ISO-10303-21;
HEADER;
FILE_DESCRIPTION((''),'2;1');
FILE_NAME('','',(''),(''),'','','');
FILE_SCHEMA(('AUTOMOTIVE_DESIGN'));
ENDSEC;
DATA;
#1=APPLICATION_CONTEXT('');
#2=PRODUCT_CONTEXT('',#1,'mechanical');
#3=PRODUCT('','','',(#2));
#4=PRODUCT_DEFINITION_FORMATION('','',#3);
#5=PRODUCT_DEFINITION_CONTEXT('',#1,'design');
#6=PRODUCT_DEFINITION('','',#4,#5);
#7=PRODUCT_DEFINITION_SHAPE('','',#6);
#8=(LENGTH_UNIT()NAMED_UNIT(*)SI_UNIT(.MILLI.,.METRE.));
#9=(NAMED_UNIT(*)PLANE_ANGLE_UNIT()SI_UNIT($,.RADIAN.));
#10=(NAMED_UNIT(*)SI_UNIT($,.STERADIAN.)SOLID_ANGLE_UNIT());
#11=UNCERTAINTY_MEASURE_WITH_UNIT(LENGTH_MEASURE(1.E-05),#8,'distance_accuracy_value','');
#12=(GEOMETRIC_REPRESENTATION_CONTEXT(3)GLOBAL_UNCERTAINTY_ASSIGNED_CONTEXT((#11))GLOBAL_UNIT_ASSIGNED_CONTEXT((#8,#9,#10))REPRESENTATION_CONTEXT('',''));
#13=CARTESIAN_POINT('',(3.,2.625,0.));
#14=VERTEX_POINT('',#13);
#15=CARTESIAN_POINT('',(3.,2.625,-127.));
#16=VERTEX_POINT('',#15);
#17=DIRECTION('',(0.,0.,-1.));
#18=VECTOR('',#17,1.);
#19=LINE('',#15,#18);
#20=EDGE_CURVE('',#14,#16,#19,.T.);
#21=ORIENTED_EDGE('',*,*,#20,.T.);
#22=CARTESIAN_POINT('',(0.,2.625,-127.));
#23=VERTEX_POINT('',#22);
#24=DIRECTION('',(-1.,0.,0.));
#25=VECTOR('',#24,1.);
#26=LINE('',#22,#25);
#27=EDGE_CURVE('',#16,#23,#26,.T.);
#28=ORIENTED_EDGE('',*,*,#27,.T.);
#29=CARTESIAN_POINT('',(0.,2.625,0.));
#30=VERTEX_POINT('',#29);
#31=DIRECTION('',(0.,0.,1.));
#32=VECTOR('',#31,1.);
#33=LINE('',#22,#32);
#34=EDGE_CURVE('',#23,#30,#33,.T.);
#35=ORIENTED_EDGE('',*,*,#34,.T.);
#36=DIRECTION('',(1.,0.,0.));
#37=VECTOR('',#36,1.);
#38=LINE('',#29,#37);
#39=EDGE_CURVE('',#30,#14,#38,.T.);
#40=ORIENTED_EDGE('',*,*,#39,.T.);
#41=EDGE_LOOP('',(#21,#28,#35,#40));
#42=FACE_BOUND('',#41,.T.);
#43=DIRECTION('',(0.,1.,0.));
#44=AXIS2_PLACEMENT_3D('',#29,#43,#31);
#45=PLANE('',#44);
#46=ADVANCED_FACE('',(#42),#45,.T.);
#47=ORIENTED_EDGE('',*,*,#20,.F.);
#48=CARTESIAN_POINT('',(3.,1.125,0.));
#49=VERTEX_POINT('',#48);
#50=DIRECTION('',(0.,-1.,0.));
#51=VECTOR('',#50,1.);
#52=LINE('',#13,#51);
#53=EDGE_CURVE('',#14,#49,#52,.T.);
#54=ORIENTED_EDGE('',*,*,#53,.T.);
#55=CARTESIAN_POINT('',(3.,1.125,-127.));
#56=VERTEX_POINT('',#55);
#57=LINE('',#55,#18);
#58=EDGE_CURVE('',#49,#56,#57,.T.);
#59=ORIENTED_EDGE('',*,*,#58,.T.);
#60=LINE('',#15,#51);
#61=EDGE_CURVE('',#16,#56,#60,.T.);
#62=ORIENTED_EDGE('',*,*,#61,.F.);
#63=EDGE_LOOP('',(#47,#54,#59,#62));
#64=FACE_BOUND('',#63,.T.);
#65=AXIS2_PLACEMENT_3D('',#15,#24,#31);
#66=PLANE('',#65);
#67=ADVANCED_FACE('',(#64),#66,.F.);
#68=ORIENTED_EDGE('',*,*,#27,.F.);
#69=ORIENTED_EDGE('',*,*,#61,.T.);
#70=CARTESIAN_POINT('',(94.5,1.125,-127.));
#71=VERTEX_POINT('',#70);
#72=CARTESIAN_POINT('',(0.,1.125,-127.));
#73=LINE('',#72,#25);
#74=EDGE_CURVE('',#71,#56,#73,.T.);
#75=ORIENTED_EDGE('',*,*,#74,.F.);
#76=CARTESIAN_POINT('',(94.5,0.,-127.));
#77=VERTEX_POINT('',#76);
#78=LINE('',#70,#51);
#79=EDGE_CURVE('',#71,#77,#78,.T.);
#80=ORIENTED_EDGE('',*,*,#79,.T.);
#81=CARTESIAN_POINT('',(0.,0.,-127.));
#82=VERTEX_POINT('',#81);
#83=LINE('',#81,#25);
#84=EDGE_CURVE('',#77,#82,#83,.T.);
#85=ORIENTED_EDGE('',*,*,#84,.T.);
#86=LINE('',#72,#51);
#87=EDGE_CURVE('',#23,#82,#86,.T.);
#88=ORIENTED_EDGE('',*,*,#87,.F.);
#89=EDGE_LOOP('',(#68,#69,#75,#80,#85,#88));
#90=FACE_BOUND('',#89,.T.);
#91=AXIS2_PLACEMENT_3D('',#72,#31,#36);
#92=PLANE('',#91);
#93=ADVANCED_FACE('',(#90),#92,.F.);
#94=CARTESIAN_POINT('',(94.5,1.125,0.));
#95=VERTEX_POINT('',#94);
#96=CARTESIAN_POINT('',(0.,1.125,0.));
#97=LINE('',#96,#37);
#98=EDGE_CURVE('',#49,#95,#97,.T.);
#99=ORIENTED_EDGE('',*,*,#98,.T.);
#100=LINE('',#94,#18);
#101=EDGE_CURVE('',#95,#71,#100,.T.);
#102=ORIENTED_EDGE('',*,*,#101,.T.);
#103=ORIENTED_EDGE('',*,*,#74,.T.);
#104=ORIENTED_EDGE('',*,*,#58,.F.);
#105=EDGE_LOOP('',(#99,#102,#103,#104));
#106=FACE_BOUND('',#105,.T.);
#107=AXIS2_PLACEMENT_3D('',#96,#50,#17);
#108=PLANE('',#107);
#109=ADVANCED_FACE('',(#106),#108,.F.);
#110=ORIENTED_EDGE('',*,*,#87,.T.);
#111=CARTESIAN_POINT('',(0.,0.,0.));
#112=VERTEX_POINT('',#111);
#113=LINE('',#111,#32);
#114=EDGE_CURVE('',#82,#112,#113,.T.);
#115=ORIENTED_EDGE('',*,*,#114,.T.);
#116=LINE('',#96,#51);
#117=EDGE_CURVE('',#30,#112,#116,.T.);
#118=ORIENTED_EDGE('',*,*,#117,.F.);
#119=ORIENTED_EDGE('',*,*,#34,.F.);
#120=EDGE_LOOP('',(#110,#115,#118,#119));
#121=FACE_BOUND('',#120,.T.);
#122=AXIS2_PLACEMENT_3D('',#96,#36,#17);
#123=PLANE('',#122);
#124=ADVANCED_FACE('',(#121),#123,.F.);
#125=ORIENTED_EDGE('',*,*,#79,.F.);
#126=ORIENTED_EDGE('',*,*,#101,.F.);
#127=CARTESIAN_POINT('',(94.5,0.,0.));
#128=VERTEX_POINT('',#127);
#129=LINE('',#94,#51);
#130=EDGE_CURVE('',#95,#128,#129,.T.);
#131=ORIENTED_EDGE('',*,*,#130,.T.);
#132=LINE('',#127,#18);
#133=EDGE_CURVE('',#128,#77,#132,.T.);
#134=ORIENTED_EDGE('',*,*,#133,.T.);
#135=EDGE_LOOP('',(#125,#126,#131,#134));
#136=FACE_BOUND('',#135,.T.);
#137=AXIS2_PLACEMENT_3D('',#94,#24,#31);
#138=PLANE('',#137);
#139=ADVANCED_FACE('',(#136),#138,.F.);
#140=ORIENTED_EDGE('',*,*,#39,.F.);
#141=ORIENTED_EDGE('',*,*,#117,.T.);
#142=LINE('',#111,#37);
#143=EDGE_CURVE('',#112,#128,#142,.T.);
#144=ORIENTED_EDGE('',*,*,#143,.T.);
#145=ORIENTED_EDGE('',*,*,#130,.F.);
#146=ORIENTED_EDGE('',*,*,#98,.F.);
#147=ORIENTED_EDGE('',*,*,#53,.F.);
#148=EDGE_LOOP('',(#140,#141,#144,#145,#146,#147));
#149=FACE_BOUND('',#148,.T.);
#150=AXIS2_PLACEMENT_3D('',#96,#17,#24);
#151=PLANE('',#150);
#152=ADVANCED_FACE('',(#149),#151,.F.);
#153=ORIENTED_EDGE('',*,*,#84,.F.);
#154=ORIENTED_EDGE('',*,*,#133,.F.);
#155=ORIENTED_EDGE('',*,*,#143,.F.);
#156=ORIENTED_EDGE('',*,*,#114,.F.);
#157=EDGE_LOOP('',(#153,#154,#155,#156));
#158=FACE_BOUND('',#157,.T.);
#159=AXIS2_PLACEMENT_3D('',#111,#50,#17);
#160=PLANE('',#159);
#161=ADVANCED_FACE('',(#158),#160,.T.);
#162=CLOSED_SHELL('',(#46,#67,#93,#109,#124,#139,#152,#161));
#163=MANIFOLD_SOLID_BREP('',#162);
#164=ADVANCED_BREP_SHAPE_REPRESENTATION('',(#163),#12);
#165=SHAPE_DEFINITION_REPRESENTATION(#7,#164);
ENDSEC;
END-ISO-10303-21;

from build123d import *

# Parameters (mm, degrees)
SCHIZZO1_W               = 94.5
SCHIZZO1_H               = 127
COPERCHIO_DEPTH          = 1.125
SCHIZZO3_W               = 3
SCHIZZO3_H               = 127
INCASTRO_COPERCHIO_DEPTH = 1.5


with BuildPart() as part:
    # Schizzo1 → Coperchio (new body)
    with BuildSketch(Plane(origin=(0, 0, 0), x_dir=(1, 0, 0), z_dir=(0, 1, 0))):
        with Locations((47.25, 63.5)):
            Rectangle(SCHIZZO1_W, SCHIZZO1_H)
    extrude(amount=COPERCHIO_DEPTH)

    # Schizzo3 → Incastro coperchio (add)
    with BuildSketch(Plane(origin=(0, 1.125, 0), x_dir=(1, 0, 0), z_dir=(0, 1, 0))):
        with Locations((1.5, 63.5)):
            Rectangle(SCHIZZO3_W, SCHIZZO3_H)
    extrude(amount=INCASTRO_COPERCHIO_DEPTH)


solid = part.part
